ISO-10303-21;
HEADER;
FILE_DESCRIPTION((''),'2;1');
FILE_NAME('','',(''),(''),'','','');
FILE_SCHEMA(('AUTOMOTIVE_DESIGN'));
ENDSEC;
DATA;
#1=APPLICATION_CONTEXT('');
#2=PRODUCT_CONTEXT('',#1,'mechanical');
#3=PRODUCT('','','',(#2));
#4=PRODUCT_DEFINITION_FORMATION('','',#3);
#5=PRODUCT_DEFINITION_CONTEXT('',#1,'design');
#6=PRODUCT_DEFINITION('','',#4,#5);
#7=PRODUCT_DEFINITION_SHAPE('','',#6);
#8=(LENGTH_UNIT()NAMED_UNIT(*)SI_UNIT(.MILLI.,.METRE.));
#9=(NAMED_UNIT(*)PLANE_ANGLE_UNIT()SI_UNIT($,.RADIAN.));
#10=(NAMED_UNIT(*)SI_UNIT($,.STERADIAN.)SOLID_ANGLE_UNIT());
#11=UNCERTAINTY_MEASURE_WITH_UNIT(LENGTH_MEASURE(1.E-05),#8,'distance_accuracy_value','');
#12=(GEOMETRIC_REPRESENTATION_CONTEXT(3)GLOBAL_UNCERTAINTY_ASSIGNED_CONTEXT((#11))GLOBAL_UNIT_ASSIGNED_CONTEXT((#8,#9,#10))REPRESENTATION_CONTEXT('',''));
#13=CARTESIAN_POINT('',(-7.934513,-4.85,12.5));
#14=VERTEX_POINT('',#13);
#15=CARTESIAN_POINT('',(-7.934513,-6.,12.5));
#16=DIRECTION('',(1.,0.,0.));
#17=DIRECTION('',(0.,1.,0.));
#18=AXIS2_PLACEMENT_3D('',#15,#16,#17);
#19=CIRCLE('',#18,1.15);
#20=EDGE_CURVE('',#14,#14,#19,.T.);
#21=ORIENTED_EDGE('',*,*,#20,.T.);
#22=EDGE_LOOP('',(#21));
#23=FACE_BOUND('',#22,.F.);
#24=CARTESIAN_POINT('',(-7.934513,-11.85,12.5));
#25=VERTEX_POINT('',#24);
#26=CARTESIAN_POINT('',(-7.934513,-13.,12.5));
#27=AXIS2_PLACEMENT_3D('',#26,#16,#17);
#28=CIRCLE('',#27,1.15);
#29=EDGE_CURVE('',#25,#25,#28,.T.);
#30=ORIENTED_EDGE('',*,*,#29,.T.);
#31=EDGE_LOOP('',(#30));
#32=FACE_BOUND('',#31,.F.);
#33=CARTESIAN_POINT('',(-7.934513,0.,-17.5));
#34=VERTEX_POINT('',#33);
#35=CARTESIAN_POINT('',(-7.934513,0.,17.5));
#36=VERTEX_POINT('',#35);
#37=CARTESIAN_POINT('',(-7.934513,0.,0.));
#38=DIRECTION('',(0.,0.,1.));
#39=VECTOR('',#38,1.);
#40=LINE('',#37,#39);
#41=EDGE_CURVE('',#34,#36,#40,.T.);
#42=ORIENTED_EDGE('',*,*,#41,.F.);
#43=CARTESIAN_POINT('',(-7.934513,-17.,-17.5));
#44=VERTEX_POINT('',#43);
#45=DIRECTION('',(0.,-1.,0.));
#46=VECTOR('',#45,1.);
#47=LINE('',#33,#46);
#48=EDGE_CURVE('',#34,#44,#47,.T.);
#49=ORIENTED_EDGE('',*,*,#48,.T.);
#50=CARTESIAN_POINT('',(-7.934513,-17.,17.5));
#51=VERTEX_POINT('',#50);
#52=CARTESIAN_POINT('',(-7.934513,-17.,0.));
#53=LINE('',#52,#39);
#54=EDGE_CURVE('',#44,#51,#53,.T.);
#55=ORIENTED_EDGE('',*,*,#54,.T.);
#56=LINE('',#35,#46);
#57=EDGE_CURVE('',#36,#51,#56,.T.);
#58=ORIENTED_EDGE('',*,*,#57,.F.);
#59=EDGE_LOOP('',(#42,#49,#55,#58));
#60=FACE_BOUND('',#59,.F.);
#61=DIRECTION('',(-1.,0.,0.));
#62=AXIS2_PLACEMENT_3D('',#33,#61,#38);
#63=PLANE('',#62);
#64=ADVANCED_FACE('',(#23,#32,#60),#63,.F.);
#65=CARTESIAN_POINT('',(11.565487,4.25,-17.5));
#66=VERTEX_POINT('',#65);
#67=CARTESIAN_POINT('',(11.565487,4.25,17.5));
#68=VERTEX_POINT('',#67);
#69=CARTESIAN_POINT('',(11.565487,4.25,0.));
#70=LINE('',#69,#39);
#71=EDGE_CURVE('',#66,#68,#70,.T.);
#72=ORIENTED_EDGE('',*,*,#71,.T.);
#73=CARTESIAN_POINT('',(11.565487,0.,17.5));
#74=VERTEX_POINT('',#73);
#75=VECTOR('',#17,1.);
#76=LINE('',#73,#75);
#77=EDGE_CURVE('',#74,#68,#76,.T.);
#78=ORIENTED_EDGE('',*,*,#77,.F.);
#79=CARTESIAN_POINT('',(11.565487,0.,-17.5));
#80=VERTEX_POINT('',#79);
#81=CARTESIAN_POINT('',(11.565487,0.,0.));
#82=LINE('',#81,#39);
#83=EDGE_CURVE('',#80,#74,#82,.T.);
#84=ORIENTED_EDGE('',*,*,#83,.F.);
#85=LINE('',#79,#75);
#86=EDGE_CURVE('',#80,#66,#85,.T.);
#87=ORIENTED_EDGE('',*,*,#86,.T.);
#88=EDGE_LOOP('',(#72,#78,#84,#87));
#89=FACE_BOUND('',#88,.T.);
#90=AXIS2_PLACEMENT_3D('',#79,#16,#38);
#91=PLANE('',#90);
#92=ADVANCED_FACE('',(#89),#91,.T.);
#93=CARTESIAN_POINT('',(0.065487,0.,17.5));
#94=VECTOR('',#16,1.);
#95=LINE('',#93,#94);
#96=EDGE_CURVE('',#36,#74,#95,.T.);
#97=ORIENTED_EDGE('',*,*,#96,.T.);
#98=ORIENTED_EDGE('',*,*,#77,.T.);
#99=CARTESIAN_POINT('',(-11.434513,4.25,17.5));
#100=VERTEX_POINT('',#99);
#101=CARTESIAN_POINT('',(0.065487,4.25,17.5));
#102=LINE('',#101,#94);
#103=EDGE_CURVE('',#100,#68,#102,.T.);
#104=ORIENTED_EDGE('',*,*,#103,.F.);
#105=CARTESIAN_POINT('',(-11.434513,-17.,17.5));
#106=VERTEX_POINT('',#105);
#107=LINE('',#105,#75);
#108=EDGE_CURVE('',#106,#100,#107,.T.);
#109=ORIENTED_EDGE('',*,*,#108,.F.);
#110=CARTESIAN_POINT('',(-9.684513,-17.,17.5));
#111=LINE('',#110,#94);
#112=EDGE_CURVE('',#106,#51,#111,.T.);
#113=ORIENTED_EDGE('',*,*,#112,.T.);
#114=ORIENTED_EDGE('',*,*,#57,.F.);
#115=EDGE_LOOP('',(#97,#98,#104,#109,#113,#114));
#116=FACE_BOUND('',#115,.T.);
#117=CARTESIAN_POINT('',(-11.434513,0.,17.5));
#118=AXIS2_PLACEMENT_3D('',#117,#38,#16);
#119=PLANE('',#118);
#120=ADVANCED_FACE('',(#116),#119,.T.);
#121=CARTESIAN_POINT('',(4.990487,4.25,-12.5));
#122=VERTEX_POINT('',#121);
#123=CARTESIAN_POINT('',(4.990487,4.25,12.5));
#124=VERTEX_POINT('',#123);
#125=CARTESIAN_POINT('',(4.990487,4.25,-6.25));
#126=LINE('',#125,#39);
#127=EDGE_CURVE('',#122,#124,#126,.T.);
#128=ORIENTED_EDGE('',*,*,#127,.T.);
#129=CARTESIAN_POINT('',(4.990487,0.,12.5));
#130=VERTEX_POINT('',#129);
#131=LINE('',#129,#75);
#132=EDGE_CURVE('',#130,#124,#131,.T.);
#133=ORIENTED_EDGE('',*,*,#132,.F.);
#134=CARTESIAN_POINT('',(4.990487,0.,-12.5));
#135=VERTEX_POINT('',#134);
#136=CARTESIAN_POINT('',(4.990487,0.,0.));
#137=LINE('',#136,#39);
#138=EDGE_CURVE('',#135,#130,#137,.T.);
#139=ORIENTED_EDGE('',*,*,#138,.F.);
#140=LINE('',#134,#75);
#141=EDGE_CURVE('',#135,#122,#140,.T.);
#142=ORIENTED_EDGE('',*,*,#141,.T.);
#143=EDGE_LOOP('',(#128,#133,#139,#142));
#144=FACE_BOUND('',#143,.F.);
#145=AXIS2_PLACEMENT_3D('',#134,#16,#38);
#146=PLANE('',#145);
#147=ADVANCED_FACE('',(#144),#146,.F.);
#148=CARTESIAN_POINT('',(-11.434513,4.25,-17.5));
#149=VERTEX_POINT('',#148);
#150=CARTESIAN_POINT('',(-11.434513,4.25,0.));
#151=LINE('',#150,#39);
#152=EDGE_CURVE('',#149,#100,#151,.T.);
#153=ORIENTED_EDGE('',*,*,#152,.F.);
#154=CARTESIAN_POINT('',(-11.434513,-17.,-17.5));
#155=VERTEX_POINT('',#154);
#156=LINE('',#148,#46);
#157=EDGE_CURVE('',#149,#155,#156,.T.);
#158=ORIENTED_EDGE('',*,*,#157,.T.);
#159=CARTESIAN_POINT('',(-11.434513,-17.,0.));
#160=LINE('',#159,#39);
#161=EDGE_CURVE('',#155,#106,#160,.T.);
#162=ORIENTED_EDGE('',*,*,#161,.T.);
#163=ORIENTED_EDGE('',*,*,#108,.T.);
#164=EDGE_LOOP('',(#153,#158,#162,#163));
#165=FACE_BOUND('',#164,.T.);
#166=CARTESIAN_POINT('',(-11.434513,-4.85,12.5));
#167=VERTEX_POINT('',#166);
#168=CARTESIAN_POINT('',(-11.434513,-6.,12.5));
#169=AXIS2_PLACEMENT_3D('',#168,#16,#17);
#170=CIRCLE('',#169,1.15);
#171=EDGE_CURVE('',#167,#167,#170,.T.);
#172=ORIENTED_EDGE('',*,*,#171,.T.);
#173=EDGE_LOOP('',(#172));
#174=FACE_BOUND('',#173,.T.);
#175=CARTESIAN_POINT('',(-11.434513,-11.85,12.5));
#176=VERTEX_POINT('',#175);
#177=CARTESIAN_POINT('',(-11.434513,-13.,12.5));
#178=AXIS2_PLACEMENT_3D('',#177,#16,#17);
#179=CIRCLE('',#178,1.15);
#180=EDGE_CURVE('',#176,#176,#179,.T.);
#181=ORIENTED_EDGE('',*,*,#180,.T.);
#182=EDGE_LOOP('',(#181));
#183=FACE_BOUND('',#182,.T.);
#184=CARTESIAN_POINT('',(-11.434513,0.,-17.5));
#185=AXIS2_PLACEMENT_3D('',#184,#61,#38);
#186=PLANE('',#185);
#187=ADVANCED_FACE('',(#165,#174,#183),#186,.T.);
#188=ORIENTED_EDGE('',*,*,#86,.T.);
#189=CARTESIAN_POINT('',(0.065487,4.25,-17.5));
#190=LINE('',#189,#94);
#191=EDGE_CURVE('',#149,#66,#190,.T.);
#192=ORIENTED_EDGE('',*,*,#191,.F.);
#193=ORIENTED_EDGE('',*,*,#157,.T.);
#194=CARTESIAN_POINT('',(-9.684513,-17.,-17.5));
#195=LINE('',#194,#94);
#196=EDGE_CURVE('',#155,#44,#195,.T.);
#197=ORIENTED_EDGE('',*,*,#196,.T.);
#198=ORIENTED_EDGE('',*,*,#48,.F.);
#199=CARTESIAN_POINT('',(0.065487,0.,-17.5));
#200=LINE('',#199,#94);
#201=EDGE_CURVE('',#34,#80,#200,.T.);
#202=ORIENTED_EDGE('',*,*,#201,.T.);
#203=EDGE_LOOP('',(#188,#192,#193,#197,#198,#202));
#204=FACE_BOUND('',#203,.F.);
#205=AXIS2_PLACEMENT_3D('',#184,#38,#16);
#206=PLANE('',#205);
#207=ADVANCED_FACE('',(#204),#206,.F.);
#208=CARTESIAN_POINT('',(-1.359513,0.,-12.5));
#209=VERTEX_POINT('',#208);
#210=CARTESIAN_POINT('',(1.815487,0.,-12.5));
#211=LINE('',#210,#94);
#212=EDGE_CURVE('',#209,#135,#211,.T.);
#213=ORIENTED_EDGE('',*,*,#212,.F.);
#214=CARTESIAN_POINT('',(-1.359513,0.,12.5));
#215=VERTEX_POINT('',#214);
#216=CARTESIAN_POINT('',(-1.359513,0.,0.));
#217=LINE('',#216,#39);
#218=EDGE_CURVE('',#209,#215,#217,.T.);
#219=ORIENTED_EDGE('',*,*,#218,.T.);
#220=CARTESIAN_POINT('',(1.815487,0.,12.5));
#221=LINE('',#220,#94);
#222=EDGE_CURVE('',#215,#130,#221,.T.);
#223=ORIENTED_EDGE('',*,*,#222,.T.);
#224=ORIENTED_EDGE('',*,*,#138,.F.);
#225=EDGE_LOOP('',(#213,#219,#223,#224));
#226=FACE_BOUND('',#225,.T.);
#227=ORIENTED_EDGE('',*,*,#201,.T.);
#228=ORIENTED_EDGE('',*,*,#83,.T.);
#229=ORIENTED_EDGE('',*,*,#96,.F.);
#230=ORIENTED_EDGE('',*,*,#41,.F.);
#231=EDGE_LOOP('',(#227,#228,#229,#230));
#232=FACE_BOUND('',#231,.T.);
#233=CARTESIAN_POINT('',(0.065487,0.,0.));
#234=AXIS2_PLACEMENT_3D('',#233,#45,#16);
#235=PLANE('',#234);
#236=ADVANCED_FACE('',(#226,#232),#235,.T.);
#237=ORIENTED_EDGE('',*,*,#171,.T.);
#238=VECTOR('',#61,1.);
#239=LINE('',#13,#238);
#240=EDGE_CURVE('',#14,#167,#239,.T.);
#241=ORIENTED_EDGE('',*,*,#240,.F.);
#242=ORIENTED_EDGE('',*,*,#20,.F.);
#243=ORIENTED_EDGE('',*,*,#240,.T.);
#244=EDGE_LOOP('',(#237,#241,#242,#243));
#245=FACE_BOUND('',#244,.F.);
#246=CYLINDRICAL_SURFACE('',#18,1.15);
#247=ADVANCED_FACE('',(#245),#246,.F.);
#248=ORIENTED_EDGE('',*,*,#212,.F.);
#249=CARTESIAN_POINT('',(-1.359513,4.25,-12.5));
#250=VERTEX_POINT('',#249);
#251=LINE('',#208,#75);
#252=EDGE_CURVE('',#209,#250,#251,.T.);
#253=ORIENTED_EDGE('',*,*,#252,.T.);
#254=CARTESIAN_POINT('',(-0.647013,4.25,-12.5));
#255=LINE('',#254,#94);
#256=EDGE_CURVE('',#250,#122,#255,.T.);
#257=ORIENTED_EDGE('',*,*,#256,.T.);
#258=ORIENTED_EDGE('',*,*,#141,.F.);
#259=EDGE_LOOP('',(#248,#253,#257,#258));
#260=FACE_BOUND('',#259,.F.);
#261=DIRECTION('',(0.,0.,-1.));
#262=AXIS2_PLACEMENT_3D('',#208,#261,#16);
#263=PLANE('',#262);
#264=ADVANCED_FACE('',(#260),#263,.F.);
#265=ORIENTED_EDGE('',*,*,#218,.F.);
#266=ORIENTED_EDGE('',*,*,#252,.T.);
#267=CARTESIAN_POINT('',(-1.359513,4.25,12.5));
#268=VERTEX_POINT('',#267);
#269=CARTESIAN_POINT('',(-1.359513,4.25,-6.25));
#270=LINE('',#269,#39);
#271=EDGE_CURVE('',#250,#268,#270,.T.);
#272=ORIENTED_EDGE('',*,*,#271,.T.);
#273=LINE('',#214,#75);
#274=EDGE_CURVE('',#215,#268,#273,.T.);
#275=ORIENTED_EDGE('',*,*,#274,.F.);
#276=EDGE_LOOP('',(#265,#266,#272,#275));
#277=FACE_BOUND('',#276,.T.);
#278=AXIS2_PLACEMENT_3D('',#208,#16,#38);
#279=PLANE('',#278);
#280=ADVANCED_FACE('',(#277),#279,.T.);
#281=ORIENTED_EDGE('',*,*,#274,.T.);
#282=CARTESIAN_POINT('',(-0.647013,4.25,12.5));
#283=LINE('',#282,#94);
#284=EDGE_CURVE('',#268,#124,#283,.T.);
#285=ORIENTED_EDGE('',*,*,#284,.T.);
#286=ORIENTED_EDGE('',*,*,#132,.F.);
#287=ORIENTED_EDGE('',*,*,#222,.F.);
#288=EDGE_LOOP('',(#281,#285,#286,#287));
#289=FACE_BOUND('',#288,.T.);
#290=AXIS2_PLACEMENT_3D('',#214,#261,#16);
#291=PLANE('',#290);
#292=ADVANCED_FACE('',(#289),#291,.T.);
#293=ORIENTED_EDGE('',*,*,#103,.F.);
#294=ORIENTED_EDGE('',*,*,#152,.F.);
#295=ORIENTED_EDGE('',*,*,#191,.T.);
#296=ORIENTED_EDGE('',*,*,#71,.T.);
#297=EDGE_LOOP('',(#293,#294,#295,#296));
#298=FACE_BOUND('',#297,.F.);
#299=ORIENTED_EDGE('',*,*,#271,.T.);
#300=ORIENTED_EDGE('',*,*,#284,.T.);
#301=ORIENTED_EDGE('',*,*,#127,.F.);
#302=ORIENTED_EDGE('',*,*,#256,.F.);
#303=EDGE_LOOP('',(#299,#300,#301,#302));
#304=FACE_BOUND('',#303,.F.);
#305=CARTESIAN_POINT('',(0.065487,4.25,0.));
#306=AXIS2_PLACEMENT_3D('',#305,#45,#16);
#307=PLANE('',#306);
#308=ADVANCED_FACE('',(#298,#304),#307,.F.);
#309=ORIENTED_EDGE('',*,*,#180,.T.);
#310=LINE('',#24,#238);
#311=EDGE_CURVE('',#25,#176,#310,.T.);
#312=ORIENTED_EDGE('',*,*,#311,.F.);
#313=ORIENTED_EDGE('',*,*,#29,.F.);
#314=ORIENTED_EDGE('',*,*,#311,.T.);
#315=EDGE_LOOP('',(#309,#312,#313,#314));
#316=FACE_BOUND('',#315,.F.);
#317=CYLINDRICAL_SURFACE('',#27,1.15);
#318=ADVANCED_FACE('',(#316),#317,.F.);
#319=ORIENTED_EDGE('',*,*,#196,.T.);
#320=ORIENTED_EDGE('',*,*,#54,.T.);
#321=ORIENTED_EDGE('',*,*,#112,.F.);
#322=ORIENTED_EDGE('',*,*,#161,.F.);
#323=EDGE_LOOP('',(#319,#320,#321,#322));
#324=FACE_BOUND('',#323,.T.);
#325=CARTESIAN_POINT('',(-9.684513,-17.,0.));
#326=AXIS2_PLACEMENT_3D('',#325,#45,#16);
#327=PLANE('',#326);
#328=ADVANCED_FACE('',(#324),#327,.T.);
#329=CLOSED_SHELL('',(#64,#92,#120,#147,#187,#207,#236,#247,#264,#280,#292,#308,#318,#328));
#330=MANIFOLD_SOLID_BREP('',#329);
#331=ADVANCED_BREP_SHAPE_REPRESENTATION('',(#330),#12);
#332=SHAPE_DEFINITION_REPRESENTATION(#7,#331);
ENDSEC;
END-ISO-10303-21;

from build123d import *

# Parameters (mm, degrees)
F0_W     = 23
F0_H     = 35
F1_DEPTH = 4.25
F2_W     = 3.5
F2_H     = 35
F3_DEPTH = 17
F4_W     = 6.35
F4_H     = 25
F5_DEPTH = 4.251
F6_R     = 1.15
F7_DEPTH = 3.501


with BuildPart() as f1:
    # F0 (on Front) → F1 (new body)
    with BuildSketch(Plane.XZ):
        with Locations((0.065487, 0)):
            Rectangle(F0_W, F0_H)
    extrude(amount=-F1_DEPTH)

    # F2 (on face) → F3 (join)
    with BuildSketch(Plane.XZ):
        with Locations((-9.684513, 0)):
            Rectangle(F2_W, F2_H)
    extrude(amount=F3_DEPTH)

    # F4 (on face) → F5 (cut, through all)
    with BuildSketch(Plane.XZ):
        with Locations((1.815487, 0)):
            Rectangle(F4_W, F4_H)
    extrude(amount=-F5_DEPTH, mode=Mode.SUBTRACT)

    # F6 (on face) → F7 (cut, through all)
    with BuildSketch(Plane.YZ.offset(-7.934513)):
        with Locations((-13, 12.5)):
            Circle(F6_R)
        with Locations((-6, 12.5)):
            Circle(F6_R)
    extrude(amount=-F7_DEPTH, mode=Mode.SUBTRACT)


solid = f1.part
